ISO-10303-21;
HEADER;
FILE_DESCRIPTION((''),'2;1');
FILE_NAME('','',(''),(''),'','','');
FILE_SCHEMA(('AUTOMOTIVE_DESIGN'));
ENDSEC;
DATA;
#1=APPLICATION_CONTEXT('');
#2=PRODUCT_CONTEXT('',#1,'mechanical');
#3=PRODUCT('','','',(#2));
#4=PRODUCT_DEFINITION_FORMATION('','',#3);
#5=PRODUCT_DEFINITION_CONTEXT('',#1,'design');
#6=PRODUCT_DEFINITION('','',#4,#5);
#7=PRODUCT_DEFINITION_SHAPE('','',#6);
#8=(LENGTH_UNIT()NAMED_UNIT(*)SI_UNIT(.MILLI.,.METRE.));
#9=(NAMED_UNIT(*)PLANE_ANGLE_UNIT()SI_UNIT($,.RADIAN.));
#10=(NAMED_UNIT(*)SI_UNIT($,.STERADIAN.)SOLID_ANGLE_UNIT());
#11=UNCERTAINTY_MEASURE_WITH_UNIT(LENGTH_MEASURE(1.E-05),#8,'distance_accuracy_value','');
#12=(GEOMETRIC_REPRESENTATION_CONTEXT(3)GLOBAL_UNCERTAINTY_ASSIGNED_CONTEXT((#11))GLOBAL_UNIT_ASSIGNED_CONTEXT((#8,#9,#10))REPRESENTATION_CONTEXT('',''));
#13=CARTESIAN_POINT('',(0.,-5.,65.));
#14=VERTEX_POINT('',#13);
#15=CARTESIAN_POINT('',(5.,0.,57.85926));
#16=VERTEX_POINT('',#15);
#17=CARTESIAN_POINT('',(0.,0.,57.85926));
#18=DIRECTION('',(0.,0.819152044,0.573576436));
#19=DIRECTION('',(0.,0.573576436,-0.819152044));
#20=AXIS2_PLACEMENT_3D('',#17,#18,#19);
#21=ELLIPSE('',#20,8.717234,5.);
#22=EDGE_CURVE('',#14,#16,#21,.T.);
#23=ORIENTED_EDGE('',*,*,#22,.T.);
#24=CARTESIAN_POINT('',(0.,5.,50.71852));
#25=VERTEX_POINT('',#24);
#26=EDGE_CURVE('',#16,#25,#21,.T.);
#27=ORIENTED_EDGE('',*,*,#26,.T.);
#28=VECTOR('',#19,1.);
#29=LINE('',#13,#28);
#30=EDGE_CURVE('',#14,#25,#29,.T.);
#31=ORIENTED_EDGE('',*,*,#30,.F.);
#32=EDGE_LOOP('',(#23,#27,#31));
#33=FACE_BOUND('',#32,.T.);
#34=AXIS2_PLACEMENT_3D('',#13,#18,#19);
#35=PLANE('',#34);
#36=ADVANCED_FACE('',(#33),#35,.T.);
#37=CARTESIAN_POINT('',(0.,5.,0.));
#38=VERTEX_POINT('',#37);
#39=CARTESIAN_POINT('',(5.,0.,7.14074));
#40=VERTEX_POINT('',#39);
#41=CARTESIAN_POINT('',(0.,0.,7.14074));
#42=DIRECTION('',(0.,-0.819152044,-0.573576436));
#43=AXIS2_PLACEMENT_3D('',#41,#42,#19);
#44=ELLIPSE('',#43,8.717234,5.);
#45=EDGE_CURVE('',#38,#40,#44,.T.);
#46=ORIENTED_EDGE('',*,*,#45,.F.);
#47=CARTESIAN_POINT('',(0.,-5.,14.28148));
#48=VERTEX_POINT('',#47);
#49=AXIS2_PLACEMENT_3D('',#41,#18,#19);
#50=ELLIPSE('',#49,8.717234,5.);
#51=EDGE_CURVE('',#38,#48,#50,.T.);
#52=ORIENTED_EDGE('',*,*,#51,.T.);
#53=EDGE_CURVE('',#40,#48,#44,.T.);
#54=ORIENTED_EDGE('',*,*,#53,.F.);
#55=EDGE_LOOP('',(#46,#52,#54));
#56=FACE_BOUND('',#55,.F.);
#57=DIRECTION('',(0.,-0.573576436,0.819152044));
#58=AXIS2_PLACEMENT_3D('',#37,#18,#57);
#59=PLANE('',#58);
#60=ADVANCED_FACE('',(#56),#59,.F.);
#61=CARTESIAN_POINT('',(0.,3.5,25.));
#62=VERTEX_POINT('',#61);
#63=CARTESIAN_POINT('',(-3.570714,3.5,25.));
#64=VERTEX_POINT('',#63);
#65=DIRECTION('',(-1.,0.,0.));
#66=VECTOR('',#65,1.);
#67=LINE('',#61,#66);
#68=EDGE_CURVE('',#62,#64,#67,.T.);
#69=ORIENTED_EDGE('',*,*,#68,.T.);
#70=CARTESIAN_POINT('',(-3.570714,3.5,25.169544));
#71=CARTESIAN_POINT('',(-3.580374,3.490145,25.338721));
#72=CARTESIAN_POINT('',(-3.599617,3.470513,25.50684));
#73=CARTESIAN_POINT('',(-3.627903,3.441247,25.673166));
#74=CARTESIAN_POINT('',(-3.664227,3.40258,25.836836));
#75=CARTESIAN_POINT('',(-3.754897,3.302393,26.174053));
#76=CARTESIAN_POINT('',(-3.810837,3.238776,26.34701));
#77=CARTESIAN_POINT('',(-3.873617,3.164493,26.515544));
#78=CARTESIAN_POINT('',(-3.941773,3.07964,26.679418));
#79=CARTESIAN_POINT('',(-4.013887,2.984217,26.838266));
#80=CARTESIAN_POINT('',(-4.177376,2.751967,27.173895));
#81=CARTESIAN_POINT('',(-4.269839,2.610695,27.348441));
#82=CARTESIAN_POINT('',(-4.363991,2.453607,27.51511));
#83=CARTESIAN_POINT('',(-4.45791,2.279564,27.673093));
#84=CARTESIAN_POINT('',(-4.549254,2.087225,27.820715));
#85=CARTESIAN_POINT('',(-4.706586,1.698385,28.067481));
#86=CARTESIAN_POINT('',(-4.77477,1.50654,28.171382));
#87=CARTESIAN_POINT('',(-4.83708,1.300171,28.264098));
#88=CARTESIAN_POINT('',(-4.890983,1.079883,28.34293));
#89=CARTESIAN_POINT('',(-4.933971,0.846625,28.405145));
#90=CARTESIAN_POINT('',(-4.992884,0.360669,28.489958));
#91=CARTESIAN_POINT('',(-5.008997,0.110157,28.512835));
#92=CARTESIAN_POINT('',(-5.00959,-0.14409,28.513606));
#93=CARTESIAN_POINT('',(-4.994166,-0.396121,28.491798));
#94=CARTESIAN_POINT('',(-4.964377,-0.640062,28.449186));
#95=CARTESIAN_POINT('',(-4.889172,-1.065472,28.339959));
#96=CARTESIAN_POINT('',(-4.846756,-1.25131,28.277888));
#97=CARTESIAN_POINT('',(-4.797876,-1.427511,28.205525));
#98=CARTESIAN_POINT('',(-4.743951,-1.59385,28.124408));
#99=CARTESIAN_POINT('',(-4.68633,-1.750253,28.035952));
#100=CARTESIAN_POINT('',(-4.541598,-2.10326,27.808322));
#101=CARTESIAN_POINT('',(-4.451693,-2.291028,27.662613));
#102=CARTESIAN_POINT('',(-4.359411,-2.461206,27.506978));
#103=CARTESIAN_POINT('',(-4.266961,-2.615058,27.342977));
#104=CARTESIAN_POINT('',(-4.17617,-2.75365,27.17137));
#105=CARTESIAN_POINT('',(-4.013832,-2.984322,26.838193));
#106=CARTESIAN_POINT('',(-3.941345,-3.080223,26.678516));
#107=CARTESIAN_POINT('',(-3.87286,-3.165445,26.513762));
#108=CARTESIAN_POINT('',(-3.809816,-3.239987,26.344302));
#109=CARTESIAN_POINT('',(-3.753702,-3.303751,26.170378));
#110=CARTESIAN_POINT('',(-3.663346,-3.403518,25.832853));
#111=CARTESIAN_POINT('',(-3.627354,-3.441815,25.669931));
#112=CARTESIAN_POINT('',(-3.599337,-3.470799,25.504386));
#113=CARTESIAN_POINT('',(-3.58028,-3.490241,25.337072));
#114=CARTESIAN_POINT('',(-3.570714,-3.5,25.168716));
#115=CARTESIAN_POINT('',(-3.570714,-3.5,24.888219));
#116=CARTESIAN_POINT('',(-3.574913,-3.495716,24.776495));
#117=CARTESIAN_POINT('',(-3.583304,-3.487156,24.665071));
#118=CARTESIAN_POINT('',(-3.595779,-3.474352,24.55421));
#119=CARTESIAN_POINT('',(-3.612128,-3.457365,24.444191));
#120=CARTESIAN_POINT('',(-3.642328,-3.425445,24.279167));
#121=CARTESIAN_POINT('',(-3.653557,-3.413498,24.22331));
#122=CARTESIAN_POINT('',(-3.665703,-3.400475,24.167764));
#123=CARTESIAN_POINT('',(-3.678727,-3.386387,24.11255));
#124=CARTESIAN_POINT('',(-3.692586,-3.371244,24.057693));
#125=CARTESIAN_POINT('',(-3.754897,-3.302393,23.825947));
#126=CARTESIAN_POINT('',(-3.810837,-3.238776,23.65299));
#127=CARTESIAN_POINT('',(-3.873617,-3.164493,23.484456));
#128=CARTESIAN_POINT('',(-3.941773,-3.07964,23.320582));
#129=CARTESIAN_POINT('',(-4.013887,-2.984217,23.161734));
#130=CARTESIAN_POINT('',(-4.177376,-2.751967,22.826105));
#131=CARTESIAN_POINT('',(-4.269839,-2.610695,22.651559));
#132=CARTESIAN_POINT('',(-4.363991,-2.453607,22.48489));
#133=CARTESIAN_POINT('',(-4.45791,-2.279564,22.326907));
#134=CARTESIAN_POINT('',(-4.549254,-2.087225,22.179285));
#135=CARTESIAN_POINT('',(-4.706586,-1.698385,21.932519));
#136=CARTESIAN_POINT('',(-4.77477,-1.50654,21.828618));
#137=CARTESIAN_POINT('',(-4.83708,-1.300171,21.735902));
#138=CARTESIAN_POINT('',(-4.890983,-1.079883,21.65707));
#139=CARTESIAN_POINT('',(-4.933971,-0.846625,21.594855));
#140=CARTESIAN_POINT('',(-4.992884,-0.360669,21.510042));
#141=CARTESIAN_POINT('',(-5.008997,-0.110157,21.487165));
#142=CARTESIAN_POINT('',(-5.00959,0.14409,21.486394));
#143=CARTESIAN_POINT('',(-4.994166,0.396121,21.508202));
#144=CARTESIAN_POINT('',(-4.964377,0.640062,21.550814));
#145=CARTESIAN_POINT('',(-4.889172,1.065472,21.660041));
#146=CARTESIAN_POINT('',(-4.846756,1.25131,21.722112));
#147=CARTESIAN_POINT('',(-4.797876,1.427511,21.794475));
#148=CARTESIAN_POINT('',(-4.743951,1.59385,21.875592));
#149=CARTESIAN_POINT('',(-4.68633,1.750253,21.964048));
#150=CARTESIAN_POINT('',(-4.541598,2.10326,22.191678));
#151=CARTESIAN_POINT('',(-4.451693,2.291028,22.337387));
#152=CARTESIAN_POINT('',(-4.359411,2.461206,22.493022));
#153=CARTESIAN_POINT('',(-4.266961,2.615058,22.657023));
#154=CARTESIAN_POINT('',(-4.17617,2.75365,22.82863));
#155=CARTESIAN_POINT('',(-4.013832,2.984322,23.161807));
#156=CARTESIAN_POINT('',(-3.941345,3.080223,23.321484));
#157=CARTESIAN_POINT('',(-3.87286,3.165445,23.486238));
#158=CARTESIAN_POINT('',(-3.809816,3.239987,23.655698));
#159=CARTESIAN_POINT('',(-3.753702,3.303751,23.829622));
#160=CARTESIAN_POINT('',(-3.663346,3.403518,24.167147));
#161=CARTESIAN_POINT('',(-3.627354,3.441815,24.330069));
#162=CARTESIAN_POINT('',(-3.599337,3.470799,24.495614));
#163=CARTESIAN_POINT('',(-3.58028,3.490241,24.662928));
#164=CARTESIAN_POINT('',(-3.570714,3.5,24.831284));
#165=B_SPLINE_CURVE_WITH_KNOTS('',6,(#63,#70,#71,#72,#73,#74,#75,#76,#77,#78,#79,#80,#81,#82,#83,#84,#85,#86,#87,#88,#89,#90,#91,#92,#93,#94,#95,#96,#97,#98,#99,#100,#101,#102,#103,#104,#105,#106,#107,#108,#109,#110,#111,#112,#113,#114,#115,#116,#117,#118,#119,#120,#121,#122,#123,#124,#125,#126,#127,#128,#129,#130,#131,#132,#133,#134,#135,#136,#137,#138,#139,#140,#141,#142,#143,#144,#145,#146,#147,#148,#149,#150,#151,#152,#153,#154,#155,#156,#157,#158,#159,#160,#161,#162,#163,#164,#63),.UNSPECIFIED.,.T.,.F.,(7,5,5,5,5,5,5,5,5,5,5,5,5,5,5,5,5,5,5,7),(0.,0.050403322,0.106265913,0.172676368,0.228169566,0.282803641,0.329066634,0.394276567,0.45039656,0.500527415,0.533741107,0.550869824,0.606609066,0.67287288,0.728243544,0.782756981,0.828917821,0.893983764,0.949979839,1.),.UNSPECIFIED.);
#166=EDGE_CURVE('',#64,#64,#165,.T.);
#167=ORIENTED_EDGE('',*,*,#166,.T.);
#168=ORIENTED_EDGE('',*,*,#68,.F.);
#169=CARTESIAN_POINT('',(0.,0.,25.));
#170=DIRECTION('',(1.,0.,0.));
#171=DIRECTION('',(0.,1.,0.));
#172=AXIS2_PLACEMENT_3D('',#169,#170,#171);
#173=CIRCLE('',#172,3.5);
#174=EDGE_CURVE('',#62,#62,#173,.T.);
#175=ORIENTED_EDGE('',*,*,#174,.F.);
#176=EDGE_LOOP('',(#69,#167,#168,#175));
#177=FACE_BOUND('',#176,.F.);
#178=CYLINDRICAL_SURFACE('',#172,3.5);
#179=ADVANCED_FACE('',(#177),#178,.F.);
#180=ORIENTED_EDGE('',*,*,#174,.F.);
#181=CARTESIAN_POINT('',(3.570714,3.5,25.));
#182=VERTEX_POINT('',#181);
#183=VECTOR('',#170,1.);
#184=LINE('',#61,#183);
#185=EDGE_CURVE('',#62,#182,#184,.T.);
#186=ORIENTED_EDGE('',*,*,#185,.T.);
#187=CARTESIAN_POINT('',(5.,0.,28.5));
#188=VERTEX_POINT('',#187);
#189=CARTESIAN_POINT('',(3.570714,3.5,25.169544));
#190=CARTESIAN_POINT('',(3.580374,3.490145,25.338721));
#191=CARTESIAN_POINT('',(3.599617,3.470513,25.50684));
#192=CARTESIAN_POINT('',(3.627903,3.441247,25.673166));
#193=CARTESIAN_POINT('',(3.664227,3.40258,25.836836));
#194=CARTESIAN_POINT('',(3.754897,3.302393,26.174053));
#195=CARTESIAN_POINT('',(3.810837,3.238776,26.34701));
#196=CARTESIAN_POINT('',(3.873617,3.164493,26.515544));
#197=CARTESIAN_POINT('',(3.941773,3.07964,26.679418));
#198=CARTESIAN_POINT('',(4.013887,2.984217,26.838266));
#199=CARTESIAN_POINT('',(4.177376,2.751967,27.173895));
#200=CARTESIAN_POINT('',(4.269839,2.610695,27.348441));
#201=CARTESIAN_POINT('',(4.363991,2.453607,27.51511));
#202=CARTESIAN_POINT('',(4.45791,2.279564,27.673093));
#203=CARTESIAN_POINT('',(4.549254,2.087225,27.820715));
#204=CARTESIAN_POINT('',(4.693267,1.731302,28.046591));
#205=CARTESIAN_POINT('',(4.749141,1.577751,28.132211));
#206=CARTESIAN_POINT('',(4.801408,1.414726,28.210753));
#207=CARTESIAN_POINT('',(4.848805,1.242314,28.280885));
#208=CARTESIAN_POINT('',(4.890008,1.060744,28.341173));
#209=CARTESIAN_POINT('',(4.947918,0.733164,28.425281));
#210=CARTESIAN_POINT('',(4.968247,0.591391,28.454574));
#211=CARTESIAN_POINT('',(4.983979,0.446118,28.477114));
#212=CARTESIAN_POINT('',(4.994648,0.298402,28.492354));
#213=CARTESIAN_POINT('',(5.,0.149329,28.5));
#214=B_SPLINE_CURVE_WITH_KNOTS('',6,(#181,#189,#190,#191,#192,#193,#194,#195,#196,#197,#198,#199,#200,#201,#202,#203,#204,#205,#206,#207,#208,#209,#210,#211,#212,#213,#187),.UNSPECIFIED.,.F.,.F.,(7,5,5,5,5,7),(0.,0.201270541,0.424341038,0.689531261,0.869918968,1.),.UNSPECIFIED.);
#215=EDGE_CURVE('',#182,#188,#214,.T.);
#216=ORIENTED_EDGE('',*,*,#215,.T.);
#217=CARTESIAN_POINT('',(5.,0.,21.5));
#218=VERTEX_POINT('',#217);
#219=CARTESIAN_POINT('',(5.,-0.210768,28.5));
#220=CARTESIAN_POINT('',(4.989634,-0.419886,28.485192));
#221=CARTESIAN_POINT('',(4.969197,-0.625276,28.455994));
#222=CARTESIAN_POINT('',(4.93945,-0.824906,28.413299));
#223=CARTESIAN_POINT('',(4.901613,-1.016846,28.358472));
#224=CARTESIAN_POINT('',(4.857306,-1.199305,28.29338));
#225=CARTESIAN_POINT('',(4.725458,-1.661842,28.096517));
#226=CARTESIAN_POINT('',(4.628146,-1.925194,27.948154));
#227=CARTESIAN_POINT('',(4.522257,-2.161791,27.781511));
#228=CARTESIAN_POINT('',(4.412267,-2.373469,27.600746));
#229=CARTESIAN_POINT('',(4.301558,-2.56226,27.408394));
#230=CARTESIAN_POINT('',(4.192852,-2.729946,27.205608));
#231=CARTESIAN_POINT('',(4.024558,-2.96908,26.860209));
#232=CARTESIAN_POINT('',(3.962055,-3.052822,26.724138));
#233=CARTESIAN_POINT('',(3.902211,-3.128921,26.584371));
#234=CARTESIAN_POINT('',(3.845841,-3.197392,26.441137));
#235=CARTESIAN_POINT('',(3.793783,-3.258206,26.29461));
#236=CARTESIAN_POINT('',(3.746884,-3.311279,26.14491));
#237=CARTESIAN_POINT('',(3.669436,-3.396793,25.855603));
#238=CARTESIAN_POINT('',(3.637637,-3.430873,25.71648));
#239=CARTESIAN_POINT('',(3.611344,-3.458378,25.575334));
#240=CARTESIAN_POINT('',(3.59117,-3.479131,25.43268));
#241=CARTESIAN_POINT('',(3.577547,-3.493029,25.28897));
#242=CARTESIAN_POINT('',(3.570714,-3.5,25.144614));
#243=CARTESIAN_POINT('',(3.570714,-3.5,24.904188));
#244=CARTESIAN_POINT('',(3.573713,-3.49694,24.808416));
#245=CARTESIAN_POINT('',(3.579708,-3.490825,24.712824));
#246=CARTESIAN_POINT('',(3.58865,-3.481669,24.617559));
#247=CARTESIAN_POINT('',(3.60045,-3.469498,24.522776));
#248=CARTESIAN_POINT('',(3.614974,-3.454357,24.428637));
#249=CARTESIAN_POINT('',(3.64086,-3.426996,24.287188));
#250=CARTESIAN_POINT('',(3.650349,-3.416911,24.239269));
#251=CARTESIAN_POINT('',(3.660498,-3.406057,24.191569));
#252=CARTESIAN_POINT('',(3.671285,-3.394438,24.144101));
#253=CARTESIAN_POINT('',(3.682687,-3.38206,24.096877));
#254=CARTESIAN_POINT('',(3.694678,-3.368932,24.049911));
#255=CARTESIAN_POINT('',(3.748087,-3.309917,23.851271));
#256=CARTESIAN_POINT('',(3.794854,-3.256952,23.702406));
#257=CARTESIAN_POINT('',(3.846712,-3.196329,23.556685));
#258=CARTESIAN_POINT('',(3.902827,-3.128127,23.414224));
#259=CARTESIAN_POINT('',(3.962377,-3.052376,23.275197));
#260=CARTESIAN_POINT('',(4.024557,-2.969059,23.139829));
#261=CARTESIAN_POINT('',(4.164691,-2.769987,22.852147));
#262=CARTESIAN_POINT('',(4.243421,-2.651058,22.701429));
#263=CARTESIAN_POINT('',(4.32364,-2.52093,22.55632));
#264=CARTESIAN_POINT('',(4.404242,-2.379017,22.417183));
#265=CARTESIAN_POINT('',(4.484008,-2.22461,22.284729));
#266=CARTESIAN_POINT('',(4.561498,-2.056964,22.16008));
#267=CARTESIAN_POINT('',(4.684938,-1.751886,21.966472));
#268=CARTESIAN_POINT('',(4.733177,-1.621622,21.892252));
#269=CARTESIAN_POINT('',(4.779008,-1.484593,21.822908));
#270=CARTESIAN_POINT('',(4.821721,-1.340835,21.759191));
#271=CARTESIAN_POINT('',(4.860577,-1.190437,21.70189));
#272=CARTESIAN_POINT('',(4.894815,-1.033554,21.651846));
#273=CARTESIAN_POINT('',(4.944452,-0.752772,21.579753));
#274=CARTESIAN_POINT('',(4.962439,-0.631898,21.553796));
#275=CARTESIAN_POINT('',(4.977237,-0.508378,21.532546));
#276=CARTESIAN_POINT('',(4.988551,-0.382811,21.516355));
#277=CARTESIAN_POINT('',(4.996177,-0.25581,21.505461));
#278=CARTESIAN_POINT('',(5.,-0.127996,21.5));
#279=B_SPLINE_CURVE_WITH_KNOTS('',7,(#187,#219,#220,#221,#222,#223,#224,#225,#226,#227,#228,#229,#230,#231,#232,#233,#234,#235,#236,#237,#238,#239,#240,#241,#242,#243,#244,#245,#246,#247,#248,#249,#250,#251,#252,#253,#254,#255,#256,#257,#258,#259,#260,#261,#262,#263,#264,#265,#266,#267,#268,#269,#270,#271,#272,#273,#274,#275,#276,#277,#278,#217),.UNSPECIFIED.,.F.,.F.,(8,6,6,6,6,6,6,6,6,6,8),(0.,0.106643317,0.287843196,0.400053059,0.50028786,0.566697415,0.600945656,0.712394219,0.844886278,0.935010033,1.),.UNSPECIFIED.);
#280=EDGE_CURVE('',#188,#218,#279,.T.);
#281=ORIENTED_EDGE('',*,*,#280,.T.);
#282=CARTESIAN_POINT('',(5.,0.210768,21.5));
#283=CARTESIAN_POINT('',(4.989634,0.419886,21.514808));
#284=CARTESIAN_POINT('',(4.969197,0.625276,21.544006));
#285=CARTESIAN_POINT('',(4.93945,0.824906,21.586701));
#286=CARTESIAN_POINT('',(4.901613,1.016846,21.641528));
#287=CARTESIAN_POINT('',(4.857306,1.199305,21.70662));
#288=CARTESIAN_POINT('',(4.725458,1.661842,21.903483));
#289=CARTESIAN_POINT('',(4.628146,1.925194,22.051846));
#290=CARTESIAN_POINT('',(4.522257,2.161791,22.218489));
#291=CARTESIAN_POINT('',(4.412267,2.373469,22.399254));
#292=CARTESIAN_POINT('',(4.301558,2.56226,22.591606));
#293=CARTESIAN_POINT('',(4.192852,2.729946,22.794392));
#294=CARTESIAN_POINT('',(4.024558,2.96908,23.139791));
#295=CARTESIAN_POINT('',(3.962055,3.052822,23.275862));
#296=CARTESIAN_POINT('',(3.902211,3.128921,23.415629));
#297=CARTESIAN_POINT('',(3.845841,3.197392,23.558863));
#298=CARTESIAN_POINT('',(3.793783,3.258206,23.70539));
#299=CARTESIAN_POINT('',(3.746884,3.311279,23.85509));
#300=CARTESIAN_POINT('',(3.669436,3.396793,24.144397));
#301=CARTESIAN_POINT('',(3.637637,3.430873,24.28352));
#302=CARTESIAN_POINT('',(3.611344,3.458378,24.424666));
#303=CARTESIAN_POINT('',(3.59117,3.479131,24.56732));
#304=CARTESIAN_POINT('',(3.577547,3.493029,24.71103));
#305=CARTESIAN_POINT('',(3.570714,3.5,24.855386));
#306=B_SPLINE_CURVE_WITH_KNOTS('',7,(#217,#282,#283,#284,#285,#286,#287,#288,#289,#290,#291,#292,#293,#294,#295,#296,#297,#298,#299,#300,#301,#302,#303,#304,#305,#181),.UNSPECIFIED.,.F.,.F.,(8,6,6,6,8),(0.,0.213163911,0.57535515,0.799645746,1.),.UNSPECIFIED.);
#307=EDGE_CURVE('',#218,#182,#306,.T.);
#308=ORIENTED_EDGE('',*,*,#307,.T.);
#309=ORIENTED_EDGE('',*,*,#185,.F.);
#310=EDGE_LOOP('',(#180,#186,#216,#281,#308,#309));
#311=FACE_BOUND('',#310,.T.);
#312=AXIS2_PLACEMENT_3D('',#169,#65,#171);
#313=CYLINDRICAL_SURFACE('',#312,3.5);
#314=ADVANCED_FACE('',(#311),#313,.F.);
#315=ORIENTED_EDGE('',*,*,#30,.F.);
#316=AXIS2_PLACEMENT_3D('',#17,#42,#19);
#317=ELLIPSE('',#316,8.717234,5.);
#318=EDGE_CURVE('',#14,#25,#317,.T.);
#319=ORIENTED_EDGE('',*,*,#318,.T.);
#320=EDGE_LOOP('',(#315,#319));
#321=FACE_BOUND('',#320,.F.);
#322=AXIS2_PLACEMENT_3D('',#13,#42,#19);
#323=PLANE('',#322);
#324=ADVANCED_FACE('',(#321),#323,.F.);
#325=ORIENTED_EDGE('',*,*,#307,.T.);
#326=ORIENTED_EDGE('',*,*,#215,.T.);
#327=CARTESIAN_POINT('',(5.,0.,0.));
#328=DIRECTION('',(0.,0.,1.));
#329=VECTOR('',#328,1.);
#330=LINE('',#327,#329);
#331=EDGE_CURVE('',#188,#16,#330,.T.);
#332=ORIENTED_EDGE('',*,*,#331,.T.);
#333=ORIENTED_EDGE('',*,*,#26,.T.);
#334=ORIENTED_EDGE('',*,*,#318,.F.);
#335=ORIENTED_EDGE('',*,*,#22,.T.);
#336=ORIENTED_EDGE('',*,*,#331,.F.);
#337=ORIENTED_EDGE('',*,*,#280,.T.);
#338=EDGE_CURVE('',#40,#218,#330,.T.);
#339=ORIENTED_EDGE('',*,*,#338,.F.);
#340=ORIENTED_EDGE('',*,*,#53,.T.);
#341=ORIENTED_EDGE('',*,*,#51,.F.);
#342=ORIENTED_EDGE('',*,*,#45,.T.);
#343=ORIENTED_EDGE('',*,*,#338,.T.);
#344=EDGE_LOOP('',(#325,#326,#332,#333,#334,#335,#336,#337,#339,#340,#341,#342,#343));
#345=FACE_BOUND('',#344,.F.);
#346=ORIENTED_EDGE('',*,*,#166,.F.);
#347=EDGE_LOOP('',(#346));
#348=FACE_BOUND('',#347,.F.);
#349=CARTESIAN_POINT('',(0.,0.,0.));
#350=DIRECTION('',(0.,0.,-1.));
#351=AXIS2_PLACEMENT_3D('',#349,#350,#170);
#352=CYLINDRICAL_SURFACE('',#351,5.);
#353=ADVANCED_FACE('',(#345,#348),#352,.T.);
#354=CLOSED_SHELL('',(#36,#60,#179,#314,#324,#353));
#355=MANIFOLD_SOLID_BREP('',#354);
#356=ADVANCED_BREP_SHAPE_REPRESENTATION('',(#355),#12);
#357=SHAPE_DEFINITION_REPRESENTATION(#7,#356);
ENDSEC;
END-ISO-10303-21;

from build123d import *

# Parameters (mm, degrees)
F0_R          = 5
F1_DEPTH      = 65
F2_R          = 3.5
F3_DEPTH      = 5.0010001114
F3_DEPTH_BACK = 5.0010001


with BuildPart() as f1:
    # F0 (on Top) → F1 (new body)
    with BuildSketch(Plane.XY):
        Circle(F0_R)
    extrude(amount=F1_DEPTH)

    # F2 (on Right) → F3 (cut, two sides)
    with BuildSketch(Plane.YZ) as f3_sk:
        Polygon((-5, 14.2814800674), (-5, 0), (5, 0), align=None)
        Polygon((5, 50.7185199326), (5, 65), (-5, 65), align=None)
        with Locations((0, 25)):
            Circle(F2_R)
    extrude(amount=-F3_DEPTH, mode=Mode.SUBTRACT)
    extrude(f3_sk.sketch, amount=F3_DEPTH_BACK, mode=Mode.SUBTRACT)


solid = f1.part
